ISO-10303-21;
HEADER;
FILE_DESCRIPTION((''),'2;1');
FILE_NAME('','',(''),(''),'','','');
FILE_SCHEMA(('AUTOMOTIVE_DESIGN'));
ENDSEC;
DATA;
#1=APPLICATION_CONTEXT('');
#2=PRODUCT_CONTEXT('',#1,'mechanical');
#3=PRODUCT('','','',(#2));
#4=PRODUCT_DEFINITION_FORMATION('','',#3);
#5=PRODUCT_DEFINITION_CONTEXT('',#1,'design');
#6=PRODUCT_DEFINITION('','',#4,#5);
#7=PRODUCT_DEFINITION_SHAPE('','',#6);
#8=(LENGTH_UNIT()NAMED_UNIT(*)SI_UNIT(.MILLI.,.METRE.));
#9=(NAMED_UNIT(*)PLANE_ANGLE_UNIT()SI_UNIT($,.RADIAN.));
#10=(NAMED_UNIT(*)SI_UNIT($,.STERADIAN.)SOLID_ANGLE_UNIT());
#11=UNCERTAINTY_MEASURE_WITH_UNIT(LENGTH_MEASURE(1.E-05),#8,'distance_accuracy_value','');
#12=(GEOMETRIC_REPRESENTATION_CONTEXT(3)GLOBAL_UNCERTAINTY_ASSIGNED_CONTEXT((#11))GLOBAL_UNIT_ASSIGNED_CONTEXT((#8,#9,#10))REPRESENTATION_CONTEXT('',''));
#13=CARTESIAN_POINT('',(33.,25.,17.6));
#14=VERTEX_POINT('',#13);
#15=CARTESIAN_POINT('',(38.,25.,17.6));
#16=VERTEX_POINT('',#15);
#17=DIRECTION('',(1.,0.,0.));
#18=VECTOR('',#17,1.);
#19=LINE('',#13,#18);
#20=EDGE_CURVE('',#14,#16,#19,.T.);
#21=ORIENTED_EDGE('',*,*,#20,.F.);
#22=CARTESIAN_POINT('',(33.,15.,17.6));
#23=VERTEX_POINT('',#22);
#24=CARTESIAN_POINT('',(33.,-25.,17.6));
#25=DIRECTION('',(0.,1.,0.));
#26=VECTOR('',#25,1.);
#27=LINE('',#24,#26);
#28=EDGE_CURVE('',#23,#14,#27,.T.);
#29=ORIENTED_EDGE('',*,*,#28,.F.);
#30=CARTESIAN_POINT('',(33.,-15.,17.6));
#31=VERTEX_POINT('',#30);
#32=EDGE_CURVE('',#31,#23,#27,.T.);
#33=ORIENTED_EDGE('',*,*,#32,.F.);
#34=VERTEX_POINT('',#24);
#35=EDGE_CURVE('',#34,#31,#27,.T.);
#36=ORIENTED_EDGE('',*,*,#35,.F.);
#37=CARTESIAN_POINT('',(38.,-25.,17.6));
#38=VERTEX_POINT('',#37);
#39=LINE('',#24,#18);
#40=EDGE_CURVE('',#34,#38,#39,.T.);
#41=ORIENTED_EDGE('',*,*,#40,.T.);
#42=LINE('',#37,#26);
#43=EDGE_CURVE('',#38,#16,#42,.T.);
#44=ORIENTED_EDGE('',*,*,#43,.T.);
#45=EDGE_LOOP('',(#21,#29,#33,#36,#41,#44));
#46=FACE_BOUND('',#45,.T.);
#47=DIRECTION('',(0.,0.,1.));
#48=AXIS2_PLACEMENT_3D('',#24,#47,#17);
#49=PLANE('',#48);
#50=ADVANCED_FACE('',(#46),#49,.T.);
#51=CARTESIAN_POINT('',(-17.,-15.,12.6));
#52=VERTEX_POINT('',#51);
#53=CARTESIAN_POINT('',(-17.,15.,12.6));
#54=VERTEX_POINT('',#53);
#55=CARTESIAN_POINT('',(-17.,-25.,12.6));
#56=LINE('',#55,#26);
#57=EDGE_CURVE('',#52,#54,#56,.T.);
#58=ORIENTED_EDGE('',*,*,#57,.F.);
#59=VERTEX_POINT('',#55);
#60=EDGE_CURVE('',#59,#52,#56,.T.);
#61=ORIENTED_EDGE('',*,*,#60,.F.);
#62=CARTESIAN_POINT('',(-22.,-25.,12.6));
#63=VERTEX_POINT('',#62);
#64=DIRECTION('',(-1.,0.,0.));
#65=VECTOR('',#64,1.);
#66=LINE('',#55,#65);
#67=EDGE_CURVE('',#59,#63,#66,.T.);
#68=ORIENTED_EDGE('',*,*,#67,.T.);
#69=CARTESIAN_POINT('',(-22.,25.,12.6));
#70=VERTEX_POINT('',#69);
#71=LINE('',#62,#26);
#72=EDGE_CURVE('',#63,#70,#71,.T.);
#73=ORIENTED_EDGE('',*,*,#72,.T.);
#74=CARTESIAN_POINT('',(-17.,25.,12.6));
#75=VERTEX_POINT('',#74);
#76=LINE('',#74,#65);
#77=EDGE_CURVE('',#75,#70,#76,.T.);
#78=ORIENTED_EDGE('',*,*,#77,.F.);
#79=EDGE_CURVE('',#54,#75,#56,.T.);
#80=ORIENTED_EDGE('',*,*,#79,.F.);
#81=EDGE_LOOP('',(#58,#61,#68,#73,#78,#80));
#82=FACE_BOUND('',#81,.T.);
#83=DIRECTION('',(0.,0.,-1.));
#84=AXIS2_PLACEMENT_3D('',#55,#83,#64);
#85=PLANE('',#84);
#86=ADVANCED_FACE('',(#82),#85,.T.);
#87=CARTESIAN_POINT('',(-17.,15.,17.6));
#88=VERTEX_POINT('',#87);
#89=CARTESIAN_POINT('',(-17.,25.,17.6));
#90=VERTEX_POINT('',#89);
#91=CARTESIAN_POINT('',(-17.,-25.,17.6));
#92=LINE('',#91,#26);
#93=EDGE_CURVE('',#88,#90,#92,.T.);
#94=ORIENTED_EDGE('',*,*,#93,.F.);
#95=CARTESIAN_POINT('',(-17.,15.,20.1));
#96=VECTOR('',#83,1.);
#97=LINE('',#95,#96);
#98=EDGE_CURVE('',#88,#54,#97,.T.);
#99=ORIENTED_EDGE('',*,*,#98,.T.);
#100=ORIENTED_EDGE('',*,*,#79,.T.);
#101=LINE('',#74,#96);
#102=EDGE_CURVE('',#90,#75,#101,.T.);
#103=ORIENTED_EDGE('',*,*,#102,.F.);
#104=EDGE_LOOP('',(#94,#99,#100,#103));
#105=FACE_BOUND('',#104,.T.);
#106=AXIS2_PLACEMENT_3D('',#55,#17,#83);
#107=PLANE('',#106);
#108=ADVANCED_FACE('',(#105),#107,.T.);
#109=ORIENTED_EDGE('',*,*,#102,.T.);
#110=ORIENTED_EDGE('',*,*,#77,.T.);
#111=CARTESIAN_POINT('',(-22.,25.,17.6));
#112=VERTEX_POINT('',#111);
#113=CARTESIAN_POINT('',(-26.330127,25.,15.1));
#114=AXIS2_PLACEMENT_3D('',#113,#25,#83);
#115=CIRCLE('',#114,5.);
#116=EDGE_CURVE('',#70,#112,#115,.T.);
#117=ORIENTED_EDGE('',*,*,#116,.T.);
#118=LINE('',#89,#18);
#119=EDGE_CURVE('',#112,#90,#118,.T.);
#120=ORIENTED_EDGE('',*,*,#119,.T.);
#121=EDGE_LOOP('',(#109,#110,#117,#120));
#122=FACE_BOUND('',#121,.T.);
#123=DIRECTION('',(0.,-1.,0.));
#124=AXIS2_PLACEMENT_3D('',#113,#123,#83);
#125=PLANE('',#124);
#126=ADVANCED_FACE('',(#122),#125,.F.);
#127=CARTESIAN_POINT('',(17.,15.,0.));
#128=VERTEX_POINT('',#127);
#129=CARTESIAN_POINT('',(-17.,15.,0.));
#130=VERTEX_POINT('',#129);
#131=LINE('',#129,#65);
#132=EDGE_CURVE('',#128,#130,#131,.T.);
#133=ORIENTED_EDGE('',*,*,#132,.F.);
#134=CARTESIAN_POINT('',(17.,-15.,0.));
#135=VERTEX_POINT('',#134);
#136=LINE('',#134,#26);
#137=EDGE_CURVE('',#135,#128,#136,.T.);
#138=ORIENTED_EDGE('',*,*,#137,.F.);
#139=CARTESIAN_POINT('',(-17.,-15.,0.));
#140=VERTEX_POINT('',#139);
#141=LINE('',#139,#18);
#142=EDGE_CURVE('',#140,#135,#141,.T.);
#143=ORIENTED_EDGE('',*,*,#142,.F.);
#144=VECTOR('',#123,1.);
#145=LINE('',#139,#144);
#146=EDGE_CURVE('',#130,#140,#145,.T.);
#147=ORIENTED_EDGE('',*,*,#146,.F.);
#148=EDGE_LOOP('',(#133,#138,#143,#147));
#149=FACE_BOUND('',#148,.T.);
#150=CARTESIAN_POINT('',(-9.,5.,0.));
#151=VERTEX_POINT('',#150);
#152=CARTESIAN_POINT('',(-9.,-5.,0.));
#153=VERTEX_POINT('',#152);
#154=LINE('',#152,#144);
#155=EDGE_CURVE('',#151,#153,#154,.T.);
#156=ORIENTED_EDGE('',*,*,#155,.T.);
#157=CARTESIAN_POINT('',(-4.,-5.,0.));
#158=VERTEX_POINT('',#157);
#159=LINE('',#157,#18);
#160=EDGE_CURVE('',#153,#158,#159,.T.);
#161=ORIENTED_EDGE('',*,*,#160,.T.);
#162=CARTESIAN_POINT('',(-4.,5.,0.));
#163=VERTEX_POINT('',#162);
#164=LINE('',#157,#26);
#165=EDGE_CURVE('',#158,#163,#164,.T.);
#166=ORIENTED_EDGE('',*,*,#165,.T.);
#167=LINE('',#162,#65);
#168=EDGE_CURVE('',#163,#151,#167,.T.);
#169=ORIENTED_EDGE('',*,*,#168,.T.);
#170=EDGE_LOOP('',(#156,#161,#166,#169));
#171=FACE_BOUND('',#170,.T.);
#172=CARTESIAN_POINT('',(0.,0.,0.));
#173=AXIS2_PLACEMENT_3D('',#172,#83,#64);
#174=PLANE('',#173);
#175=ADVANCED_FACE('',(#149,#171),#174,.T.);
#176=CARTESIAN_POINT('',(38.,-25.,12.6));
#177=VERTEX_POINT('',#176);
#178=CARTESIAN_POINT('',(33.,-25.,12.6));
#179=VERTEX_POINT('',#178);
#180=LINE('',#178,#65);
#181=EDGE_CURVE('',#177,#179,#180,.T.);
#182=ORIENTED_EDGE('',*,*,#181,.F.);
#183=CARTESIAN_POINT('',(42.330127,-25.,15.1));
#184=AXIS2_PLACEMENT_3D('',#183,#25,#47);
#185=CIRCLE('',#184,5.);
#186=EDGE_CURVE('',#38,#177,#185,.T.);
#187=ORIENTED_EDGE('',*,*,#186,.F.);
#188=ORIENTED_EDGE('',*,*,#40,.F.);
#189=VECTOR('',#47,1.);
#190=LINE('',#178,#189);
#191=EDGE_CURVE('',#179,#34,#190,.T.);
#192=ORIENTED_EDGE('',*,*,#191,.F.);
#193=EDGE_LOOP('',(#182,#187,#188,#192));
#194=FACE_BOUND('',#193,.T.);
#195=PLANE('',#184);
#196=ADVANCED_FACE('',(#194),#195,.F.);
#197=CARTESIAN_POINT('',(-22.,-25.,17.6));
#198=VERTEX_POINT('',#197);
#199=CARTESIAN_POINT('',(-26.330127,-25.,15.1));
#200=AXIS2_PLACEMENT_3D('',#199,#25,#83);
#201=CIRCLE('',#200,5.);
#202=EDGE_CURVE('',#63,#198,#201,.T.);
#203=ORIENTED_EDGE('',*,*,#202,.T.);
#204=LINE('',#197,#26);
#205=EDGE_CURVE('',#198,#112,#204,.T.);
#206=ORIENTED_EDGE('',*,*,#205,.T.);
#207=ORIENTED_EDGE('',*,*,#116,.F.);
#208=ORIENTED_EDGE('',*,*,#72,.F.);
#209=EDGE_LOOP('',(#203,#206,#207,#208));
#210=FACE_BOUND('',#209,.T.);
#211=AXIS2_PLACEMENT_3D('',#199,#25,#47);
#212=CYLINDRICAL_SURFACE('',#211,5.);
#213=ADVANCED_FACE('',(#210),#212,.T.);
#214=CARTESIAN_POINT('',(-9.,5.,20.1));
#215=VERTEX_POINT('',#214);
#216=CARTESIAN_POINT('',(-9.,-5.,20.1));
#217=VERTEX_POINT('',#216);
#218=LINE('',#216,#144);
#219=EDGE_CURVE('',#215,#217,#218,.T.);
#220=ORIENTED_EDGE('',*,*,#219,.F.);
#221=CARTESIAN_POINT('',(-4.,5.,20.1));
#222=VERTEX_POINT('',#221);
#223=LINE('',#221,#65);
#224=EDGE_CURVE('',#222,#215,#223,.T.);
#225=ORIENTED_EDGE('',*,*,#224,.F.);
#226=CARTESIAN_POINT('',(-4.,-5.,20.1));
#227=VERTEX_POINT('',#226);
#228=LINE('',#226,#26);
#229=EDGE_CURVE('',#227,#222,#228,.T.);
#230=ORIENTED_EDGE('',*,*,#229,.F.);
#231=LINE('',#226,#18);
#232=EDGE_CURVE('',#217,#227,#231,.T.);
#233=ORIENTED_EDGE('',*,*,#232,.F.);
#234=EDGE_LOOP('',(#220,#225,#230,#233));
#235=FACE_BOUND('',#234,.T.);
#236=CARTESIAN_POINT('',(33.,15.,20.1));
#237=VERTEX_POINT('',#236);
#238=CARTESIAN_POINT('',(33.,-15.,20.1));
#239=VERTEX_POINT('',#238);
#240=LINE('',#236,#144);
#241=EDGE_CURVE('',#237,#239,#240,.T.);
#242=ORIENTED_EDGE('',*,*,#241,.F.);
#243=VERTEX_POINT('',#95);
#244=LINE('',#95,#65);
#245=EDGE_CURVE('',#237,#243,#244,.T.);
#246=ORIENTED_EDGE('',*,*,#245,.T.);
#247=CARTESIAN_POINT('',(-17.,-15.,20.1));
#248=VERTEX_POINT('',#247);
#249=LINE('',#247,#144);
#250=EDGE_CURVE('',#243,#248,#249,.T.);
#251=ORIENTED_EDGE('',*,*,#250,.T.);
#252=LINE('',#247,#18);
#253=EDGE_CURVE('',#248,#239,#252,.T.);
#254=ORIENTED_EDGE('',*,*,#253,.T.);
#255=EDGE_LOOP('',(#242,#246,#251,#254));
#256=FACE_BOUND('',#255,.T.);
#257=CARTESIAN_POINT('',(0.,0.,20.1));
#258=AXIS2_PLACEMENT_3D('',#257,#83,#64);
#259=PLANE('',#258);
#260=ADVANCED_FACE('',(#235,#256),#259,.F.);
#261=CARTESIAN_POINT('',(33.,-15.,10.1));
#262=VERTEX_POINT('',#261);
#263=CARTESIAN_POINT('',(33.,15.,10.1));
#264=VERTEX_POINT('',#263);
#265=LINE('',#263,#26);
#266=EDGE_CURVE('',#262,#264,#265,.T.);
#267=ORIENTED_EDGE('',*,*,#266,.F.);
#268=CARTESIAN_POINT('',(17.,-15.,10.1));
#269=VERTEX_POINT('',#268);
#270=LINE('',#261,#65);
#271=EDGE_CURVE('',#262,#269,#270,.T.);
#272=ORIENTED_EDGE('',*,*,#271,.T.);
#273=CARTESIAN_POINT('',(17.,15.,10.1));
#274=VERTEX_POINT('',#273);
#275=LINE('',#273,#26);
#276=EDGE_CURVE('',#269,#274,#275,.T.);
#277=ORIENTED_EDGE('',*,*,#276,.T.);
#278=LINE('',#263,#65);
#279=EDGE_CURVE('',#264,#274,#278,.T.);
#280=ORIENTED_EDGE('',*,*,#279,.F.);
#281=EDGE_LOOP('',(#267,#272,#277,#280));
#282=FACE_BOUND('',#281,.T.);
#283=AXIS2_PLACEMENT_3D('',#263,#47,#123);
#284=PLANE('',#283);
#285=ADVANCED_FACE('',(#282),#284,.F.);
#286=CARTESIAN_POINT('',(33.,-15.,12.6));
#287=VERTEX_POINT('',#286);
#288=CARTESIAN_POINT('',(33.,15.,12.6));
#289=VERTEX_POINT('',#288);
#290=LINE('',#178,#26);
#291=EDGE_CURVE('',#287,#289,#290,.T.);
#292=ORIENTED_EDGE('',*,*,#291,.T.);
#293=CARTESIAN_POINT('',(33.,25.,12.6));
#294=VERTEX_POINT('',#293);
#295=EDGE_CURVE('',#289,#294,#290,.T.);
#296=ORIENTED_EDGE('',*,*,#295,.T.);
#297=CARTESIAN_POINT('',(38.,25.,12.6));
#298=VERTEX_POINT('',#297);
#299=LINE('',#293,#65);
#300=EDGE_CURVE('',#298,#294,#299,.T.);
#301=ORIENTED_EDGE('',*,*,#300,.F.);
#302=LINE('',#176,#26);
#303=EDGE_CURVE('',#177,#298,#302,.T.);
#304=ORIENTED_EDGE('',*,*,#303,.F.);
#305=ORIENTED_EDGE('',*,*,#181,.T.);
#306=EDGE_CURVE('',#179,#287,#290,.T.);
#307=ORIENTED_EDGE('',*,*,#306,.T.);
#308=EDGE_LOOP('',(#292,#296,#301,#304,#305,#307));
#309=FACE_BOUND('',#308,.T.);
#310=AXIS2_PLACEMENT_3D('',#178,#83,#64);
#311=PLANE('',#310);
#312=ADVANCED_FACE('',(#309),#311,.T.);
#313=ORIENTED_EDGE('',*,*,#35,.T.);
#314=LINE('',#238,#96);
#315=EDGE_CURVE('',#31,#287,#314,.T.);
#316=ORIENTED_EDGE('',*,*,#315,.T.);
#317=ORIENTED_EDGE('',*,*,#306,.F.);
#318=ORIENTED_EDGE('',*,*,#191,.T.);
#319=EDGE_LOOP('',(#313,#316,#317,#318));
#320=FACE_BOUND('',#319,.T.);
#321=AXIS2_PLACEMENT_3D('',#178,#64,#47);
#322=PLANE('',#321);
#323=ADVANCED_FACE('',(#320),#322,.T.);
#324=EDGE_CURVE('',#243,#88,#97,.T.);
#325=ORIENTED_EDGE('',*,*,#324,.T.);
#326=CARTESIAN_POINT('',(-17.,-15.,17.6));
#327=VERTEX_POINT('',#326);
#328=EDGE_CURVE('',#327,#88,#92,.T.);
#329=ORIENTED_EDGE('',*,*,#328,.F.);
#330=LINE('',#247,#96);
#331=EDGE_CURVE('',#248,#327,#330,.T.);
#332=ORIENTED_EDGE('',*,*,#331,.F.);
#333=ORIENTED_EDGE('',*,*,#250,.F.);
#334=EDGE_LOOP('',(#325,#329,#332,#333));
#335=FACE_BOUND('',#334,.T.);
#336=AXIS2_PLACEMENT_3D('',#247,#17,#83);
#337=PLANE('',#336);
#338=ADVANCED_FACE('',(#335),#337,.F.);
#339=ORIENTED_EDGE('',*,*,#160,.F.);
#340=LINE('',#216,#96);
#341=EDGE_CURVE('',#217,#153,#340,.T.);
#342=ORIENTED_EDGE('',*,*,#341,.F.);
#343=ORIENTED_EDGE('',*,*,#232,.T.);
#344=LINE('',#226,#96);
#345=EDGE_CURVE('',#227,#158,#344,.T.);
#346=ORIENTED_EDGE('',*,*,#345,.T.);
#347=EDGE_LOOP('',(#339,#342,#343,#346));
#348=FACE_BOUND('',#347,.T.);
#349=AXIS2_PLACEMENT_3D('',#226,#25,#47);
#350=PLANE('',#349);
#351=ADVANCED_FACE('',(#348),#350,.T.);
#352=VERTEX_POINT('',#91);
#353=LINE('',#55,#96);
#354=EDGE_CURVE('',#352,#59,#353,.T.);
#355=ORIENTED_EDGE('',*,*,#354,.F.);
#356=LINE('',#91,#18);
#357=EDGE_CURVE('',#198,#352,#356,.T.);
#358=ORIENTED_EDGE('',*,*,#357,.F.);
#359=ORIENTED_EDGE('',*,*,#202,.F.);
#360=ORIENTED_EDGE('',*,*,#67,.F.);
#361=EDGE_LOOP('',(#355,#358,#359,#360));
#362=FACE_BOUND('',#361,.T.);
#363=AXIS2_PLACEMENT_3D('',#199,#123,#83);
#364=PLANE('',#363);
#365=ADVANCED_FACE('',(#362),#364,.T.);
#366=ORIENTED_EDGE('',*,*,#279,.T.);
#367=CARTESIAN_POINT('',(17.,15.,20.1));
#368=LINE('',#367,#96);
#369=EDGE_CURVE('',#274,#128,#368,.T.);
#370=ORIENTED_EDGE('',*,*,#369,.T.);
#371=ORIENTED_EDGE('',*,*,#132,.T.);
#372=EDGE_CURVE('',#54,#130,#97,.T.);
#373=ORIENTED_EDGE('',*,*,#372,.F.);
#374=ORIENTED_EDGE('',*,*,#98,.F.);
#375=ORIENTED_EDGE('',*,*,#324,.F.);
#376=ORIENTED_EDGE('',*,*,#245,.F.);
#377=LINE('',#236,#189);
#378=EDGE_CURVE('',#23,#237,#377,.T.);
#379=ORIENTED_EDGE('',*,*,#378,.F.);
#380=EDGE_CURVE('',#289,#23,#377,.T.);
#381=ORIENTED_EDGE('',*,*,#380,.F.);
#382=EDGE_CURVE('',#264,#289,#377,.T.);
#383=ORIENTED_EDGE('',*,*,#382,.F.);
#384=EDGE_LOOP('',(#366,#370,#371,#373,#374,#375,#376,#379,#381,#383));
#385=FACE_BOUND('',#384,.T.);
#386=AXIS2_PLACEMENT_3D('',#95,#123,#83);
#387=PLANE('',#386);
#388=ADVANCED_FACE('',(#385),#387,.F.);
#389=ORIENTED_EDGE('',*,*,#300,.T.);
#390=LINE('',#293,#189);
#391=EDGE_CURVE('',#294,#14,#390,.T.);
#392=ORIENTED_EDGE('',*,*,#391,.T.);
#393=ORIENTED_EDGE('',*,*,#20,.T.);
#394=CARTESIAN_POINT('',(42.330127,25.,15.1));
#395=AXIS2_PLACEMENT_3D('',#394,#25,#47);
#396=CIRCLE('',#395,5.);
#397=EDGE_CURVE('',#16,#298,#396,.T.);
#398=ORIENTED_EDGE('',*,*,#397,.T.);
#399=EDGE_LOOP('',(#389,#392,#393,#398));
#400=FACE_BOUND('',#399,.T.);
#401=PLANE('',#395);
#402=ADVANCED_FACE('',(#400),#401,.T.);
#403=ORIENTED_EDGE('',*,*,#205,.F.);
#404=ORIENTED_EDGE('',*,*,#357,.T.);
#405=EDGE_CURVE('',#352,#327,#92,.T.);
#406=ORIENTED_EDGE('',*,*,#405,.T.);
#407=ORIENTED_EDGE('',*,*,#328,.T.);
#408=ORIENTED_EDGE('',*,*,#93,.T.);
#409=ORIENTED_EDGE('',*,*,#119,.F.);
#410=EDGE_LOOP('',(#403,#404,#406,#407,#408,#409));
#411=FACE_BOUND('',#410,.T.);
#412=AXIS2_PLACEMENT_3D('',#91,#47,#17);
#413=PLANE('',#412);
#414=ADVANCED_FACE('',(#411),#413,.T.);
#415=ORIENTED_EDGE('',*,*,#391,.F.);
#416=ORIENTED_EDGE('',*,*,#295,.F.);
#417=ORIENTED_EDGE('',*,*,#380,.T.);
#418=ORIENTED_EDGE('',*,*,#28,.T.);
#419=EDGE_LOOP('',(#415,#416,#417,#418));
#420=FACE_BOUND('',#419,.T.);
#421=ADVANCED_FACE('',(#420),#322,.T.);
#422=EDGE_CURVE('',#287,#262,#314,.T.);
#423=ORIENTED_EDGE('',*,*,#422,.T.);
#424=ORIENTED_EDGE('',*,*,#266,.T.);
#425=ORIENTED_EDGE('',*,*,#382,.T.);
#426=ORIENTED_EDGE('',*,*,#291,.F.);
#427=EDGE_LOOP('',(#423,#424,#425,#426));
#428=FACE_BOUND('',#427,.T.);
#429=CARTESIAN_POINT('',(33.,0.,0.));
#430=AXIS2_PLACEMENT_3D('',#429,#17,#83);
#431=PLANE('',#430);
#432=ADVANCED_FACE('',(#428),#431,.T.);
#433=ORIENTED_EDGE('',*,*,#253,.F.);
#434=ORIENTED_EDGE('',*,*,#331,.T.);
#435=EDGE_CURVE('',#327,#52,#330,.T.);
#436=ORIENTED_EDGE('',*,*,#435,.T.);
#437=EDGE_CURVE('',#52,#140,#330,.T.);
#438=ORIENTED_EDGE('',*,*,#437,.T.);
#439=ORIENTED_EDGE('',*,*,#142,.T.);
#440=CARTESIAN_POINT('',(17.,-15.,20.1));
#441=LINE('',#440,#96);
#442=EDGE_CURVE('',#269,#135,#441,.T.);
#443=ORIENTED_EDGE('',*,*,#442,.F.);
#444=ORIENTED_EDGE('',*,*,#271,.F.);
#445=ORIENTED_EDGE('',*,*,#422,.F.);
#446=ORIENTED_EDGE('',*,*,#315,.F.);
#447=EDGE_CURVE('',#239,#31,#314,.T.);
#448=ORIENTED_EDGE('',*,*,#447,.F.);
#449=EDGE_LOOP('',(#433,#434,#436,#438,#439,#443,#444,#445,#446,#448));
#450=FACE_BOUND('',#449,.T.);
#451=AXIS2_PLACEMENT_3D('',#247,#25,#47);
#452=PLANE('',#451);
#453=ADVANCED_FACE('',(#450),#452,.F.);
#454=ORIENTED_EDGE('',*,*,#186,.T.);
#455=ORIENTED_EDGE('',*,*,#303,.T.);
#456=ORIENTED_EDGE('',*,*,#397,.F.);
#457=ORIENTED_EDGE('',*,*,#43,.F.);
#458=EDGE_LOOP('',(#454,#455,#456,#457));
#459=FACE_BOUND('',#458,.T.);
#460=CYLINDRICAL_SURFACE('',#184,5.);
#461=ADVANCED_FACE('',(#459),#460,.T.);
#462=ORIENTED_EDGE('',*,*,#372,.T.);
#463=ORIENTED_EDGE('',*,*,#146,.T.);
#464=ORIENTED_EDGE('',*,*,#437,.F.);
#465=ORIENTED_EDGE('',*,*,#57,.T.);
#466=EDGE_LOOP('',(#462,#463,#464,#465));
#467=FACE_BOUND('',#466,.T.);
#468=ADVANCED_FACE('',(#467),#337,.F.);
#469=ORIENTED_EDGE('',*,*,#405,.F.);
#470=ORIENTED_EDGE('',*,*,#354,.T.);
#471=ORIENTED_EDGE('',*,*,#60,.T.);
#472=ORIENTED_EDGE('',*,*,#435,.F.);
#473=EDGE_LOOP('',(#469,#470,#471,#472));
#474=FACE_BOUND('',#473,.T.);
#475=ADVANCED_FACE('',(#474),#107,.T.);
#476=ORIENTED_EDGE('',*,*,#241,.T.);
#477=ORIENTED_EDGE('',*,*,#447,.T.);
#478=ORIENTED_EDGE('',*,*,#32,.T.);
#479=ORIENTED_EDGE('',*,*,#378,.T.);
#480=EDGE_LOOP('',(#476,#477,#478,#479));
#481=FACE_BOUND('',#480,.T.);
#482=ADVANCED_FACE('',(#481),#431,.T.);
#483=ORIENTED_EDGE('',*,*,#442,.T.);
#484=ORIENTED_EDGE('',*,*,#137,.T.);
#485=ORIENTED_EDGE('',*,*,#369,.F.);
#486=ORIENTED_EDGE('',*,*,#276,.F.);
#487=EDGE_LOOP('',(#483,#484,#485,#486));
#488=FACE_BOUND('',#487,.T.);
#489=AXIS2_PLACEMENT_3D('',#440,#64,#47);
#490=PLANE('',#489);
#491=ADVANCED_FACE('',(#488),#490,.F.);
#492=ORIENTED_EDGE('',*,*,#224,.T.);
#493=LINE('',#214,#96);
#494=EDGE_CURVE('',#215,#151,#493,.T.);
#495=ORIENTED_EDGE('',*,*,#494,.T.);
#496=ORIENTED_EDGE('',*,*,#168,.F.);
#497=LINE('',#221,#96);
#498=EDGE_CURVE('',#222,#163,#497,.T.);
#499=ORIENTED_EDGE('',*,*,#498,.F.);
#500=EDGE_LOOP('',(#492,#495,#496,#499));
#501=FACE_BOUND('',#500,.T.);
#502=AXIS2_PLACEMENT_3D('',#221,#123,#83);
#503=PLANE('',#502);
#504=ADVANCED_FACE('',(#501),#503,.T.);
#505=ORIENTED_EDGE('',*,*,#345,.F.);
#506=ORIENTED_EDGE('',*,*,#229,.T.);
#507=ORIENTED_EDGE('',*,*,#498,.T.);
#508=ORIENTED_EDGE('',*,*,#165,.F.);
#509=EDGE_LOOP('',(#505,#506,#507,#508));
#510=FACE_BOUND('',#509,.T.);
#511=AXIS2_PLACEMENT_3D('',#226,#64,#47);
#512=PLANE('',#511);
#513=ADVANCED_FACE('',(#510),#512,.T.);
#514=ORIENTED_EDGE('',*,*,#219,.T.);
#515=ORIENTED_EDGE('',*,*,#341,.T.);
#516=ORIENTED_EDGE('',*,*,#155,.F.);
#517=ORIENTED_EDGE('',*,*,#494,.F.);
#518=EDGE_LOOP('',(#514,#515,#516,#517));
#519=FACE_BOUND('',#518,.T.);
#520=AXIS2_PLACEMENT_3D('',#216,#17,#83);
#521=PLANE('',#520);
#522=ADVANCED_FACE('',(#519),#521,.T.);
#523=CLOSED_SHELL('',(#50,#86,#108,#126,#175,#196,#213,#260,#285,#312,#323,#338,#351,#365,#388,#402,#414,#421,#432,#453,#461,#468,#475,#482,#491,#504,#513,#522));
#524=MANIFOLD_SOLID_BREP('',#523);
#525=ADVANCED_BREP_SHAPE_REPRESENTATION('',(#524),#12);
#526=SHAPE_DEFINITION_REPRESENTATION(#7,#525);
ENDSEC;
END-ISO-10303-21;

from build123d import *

# Parameters (mm, degrees)
ESBO_O1_W                = 34
ESBO_O1_H                = 30
ESBO_O1_W_2              = 5
ESBO_O1_H_2              = 10
RESSALTO_EXTRUS_O1_DEPTH = 20.1
ESBO_O2_W                = 10
ESBO_O2_H                = 30
RESSALTO_EXTRUS_O2_DEPTH = 16
RESSALTO_EXTRUS_O3_DEPTH = 50


with BuildPart() as part:
    # Esboço1 → Ressalto-extrusão1 (new body)
    with BuildSketch(Plane.XY):
        Rectangle(ESBO_O1_W, ESBO_O1_H)
        with Locations((-6.5, 0)):
            Rectangle(ESBO_O1_W_2, ESBO_O1_H_2, mode=Mode.SUBTRACT)
    extrude(amount=RESSALTO_EXTRUS_O1_DEPTH)

    # Esboço2 → Ressalto-extrusão2 (add)
    with BuildSketch(Plane(origin=(17, 0, 0), x_dir=(0, 0, -1), z_dir=(1, 0, 0))):
        with Locations((-15.1, 0)):
            Rectangle(ESBO_O2_W, ESBO_O2_H)
    extrude(amount=RESSALTO_EXTRUS_O2_DEPTH)

    # Esboço3 → Ressalto-extrusão3 (add)
    with BuildSketch(Plane(origin=(0, 25, 0), x_dir=(1, 0, 0), z_dir=(0, 1, 0))):
        with BuildLine():
            Line((33, -12.6), (38, -12.6))
            ThreePointArc((38, -12.6), (47.330127019, -15.1), (38, -17.6))
            Line((38, -17.6), (33, -17.6))
            Line((33, -17.6), (33, -12.6))
        make_face()
        with BuildLine():
            Line((-17, -12.6), (-17, -17.6))
            Line((-17, -17.6), (-22, -17.6))
            ThreePointArc((-22, -17.6), (-31.330127019, -15.1), (-22, -12.6))
            Line((-22, -12.6), (-17, -12.6))
        make_face()
    extrude(amount=-RESSALTO_EXTRUS_O3_DEPTH)


solid = part.part
